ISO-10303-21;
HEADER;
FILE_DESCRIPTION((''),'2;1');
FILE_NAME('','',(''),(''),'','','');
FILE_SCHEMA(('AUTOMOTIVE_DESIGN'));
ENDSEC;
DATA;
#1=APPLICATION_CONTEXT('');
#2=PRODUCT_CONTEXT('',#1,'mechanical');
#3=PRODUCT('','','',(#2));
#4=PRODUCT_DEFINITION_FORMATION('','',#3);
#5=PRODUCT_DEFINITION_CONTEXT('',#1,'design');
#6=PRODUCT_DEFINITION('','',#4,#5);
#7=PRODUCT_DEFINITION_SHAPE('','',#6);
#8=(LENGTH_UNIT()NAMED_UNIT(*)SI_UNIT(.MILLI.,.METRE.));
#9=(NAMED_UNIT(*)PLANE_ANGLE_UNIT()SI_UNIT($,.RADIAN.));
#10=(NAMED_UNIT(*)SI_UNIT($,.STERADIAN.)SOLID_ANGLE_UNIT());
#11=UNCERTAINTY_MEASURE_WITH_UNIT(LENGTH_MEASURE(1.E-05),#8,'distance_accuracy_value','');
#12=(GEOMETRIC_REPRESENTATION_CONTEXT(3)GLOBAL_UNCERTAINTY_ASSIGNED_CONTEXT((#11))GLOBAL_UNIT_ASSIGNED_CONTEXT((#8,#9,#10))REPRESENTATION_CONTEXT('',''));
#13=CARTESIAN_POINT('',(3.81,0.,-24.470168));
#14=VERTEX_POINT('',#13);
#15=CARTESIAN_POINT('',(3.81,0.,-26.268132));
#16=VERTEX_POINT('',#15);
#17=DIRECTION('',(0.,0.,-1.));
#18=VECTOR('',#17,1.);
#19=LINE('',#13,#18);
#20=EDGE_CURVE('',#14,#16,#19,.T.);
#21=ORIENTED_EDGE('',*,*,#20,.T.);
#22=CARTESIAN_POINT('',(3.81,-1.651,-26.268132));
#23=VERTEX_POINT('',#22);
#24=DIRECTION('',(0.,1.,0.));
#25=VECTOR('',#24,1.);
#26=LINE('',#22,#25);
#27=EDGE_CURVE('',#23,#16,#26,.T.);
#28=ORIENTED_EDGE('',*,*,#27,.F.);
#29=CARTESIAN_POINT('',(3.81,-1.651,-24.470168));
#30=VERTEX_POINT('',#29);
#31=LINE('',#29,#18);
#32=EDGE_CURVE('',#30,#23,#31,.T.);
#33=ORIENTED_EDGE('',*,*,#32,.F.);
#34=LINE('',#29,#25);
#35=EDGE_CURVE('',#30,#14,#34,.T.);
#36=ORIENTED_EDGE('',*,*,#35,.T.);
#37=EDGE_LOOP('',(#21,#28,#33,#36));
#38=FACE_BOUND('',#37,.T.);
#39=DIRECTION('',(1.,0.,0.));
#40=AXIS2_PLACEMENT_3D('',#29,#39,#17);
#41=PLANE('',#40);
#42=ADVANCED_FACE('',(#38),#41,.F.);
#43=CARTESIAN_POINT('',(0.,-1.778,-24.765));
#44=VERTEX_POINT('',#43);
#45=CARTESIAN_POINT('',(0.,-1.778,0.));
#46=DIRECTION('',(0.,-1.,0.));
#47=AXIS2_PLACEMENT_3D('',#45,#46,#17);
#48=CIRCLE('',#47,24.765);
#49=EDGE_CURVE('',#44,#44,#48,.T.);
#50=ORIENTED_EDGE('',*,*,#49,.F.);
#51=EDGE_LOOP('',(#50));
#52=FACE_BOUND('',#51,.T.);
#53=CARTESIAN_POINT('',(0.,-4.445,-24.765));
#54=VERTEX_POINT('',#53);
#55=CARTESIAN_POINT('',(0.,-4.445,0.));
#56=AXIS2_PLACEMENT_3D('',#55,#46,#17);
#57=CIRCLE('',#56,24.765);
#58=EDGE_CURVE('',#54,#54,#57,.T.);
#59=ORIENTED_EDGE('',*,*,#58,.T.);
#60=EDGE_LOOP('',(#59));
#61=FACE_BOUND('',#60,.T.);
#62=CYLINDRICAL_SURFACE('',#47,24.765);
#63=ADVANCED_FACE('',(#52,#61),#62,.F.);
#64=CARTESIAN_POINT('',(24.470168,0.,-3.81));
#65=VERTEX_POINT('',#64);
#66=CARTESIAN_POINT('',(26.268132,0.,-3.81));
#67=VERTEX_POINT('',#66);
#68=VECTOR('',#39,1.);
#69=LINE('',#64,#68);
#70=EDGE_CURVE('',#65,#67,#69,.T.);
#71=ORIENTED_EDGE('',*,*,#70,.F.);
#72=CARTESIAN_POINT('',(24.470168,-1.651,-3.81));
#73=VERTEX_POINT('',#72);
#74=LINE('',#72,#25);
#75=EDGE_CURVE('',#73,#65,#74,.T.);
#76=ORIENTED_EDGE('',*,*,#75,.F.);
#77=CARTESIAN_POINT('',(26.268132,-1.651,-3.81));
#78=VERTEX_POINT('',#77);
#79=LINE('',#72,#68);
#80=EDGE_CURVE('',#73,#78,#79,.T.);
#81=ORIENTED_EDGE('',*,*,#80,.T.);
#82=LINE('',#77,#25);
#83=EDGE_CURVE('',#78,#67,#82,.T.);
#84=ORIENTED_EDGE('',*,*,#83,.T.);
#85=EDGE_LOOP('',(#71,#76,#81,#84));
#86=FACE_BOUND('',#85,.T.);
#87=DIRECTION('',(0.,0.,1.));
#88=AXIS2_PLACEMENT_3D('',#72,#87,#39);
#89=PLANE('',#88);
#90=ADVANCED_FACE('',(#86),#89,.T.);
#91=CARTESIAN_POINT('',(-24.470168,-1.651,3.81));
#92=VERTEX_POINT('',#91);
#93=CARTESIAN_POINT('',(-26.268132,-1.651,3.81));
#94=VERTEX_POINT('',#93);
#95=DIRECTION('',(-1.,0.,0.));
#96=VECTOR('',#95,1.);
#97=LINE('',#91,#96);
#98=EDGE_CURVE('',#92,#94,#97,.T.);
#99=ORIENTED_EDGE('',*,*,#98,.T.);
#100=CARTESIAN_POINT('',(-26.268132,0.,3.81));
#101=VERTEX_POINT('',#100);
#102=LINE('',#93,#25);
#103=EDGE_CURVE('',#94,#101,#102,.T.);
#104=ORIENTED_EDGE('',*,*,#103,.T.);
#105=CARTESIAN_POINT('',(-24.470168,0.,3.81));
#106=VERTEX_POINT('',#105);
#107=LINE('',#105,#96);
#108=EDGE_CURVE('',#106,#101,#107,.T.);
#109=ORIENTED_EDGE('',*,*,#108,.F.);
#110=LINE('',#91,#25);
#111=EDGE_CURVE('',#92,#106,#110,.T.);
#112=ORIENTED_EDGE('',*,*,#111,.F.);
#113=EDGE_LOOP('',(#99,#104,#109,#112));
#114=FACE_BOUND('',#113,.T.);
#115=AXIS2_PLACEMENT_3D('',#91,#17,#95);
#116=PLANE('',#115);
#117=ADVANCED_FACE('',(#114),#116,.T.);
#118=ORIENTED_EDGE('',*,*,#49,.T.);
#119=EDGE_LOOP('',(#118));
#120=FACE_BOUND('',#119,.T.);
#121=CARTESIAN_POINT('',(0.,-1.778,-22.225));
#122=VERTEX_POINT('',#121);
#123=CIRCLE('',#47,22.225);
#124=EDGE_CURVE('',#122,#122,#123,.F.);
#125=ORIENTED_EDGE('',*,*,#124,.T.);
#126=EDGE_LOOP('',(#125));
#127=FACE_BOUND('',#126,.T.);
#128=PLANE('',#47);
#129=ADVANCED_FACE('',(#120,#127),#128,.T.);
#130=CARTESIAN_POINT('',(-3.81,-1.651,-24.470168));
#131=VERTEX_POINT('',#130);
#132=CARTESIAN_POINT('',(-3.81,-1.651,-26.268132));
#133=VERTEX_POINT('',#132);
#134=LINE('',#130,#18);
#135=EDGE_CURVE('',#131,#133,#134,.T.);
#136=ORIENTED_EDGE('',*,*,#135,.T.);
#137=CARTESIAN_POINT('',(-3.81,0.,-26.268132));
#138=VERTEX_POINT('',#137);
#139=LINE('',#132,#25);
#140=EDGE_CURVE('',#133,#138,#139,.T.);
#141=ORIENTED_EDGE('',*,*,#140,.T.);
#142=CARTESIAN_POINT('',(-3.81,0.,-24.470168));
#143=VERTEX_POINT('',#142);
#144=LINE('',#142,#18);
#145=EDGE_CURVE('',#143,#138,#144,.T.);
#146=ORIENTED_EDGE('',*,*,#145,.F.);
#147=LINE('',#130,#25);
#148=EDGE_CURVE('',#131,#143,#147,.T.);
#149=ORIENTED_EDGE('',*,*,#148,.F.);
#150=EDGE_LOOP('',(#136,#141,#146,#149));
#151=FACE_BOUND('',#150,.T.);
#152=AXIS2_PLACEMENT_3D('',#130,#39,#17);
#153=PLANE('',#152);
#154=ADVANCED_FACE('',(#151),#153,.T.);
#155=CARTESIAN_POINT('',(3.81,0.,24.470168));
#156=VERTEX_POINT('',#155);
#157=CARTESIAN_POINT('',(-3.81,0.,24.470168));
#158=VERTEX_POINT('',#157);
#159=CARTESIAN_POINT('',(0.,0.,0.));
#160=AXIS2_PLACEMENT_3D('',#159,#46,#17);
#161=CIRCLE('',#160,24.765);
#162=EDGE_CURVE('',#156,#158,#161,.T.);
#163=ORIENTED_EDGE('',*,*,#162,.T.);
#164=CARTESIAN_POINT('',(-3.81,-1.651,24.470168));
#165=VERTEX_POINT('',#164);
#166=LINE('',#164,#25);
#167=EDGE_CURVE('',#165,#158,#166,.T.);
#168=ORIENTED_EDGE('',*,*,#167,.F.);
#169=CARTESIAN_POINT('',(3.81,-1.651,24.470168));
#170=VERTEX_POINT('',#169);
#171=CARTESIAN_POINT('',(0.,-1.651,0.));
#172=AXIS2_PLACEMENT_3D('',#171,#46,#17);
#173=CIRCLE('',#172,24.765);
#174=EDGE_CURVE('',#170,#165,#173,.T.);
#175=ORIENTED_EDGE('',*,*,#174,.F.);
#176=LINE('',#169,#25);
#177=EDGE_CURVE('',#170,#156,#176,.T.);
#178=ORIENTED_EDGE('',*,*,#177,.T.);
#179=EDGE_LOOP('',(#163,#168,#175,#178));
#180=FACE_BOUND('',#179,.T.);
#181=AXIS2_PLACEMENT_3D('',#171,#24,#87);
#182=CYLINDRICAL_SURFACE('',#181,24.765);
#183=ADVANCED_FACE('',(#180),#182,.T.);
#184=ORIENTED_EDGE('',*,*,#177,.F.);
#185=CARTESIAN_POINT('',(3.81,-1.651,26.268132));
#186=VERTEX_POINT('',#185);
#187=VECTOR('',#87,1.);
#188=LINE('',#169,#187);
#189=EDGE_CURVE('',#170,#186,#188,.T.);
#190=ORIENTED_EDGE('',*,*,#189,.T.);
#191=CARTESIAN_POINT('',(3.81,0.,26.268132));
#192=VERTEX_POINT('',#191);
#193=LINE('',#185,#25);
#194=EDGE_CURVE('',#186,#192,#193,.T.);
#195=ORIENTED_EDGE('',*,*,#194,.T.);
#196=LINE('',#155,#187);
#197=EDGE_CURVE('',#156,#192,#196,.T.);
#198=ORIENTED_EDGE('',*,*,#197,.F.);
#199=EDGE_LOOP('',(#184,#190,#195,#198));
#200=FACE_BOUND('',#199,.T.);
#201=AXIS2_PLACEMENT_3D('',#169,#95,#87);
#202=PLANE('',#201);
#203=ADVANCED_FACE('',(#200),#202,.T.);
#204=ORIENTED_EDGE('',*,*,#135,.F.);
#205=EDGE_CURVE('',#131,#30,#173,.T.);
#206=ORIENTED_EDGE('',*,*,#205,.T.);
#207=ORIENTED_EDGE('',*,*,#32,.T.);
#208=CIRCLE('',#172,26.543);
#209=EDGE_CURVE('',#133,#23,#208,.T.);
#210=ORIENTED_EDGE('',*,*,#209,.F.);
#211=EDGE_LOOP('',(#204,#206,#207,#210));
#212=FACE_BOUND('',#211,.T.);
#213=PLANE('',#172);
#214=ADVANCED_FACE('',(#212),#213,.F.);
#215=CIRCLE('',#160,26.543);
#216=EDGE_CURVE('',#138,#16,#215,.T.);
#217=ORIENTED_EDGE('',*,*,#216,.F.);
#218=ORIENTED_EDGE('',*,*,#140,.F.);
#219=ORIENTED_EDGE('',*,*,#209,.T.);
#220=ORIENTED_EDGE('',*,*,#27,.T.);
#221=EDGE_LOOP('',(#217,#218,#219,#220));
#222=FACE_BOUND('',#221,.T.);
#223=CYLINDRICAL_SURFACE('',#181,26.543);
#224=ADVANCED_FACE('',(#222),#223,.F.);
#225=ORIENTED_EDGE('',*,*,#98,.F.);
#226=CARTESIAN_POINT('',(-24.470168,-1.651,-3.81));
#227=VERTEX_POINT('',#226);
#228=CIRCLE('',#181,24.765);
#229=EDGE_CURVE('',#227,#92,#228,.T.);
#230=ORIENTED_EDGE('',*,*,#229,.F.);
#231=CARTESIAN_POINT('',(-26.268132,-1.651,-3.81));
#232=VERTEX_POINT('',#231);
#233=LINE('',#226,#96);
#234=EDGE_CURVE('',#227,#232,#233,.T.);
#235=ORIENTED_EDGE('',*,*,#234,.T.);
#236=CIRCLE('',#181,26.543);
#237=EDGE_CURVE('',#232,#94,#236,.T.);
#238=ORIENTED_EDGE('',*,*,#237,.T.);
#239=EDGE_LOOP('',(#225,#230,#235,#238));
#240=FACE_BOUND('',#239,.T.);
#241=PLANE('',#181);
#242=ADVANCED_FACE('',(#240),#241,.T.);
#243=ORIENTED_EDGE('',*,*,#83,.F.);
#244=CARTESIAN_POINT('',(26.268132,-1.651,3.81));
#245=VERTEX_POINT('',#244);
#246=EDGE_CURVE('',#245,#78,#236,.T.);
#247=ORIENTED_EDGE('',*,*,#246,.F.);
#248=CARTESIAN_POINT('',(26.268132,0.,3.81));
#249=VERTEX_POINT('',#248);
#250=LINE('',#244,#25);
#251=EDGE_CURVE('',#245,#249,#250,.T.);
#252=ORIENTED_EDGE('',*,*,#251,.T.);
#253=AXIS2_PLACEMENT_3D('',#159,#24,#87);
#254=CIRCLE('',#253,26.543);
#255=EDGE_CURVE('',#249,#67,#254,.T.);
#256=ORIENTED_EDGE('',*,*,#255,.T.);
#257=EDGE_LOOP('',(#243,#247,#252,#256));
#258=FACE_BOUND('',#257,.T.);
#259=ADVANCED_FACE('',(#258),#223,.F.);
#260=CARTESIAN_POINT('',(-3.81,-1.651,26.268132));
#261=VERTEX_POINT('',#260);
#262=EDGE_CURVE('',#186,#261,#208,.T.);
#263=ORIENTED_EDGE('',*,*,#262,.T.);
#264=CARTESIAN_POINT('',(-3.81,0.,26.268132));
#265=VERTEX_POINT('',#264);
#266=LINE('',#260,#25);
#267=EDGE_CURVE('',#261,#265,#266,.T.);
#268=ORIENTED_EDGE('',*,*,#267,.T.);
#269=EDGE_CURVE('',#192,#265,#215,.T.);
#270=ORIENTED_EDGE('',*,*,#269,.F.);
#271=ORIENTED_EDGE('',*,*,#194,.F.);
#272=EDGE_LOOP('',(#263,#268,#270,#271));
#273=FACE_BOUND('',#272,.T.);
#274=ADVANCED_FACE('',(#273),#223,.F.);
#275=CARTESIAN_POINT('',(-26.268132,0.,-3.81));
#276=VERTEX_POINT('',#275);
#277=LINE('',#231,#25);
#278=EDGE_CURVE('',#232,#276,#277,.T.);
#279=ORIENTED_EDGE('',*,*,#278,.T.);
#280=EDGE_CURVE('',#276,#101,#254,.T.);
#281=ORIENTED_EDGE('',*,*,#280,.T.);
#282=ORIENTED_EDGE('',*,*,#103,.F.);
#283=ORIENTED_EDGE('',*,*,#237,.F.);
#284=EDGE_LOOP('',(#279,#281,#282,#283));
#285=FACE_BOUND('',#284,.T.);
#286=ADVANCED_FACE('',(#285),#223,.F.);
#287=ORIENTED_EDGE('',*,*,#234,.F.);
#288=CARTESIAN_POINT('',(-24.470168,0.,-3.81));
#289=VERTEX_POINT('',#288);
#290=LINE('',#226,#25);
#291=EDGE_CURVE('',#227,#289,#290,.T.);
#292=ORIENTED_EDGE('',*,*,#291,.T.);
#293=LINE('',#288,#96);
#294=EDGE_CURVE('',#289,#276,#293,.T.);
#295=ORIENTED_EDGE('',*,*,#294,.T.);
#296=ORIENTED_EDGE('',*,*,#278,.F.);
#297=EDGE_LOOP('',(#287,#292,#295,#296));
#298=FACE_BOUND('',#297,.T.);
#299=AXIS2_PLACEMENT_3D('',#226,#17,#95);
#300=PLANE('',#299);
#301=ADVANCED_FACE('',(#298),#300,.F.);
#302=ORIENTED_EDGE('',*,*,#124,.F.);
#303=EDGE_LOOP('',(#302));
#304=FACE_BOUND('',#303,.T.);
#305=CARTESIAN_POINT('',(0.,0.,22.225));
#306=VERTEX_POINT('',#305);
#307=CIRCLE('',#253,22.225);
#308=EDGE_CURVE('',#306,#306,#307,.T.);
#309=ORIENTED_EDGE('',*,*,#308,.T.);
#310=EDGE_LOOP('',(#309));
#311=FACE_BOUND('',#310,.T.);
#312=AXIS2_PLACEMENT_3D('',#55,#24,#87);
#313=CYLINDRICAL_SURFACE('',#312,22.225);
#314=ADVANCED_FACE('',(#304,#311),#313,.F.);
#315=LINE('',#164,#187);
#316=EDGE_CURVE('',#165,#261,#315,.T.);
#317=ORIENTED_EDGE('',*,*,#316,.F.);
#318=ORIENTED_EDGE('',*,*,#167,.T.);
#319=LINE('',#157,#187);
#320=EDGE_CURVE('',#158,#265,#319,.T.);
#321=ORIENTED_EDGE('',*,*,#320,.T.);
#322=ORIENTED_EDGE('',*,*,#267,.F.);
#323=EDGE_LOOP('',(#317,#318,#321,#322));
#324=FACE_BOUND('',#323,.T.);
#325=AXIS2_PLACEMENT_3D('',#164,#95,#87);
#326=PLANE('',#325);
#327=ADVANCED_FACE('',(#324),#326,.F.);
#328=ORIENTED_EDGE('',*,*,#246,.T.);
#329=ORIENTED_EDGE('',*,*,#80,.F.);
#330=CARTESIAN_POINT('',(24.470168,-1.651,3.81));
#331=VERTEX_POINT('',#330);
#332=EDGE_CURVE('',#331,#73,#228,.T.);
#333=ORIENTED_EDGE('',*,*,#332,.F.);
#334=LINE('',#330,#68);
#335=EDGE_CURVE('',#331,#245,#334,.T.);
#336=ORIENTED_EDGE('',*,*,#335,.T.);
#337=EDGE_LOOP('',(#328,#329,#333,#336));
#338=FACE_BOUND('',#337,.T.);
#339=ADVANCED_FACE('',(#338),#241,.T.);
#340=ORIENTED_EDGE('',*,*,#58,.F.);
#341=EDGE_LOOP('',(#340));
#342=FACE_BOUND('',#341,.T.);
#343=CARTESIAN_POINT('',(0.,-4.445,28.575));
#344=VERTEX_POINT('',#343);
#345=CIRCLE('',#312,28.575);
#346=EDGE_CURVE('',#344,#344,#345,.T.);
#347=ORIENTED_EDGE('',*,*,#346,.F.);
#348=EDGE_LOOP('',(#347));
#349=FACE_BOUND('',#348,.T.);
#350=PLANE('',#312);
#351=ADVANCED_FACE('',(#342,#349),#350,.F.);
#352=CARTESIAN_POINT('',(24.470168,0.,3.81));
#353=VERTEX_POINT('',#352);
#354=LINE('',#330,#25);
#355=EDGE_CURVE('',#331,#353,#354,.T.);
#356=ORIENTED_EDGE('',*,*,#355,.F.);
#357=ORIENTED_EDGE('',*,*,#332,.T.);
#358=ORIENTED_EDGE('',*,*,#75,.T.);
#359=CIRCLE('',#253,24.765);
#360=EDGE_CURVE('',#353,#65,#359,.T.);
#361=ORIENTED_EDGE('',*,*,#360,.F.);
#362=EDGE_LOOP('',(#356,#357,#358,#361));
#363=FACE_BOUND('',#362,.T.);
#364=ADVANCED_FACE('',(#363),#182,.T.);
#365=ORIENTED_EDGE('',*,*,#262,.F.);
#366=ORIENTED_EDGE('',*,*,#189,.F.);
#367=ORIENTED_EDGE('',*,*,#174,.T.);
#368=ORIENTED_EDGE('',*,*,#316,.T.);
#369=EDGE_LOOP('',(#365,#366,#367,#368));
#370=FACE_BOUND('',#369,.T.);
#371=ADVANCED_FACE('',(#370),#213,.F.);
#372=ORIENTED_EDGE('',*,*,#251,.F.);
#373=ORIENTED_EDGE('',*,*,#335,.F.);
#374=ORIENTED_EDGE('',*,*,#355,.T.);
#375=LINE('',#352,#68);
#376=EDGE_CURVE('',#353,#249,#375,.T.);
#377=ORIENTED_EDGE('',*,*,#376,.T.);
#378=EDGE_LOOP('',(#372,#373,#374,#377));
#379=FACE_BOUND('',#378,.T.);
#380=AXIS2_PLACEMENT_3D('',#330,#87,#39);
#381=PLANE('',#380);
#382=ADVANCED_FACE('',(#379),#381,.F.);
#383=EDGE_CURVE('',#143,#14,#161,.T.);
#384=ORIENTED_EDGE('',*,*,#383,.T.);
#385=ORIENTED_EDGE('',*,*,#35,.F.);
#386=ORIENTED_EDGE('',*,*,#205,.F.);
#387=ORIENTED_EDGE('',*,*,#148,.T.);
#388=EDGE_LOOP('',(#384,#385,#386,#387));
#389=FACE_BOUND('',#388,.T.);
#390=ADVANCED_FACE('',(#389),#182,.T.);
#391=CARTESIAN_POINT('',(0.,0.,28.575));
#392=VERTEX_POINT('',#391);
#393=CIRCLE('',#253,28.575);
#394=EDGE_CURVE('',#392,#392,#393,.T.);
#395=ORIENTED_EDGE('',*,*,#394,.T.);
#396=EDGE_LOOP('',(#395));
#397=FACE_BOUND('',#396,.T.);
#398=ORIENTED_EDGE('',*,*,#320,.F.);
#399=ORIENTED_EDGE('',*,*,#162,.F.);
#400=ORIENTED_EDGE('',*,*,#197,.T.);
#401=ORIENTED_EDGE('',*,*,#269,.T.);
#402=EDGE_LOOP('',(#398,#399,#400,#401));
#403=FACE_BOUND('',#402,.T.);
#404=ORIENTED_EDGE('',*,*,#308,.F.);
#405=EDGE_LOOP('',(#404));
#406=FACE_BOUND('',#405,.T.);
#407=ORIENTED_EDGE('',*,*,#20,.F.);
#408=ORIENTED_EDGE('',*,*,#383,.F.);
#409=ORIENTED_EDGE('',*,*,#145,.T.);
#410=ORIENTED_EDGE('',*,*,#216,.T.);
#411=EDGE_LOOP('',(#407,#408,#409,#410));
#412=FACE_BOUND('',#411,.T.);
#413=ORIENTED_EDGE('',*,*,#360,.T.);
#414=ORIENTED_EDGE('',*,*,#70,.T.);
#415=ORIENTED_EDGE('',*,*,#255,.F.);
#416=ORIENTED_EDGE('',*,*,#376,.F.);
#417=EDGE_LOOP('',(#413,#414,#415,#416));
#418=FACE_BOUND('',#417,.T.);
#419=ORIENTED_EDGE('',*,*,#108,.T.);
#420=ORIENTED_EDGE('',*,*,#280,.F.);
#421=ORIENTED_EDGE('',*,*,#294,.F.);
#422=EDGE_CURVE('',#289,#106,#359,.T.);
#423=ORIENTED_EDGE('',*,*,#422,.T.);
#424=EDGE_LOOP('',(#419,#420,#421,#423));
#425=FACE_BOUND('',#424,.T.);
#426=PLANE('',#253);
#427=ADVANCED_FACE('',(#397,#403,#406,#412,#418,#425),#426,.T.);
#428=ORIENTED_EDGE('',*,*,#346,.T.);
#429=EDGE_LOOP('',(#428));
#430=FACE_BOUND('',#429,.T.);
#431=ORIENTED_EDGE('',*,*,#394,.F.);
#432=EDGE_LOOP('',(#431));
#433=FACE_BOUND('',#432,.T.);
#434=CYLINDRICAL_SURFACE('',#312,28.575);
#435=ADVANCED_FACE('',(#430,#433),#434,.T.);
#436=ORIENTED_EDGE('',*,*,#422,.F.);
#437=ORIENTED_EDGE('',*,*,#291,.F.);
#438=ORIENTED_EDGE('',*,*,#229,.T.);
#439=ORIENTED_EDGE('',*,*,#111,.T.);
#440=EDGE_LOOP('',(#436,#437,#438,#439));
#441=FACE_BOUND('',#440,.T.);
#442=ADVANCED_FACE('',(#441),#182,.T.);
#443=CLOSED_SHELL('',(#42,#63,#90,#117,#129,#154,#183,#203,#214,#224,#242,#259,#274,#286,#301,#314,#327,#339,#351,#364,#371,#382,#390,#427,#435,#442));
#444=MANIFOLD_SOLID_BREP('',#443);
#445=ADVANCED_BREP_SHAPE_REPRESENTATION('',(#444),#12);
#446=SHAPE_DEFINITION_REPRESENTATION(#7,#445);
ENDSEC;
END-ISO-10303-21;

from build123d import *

# Parameters (mm, degrees)
SKETCH1_R            = 28.575
SHAFT_DEPTH          = 4.445
SKETCH11_R           = 22.225
THRU_HOLE_DEPTH      = 41.654880088
TOOLING_POINTS_DEPTH = 1.651
RETAINER_START       = -2.667
SKETCH12_R           = 24.765
RETAINER_HOLE_DEPTH  = 2.667


with BuildPart() as part:
    # Sketch1 → Shaft (new body)
    with BuildSketch(Plane(origin=(0, 0, 0), x_dir=(1, 0, 0), z_dir=(0, 1, 0))):
        Circle(SKETCH1_R)
    extrude(amount=-SHAFT_DEPTH)

    # Sketch11 → Thru Hole (cut, through all)
    with BuildSketch(Plane(origin=(0, 0, 0), x_dir=(-1, 0, 0), z_dir=(0, 1, 0))):
        Circle(SKETCH11_R)
    extrude(amount=-THRU_HOLE_DEPTH, mode=Mode.SUBTRACT)

    # Sketch13 → Tooling Points (cut)
    with BuildSketch(Plane(origin=(0, 0, 0), x_dir=(-1, 0, 0), z_dir=(0, 1, 0))):
        with BuildLine():
            Line((-24.470168062, -3.81), (-26.268131814, -3.81))
            ThreePointArc((-26.268131814, -3.81), (-26.543, 0), (-26.268131814, 3.81))
            Line((-26.268131814, 3.81), (-24.470168062, 3.81))
            ThreePointArc((-24.470168062, 3.81), (-24.765, 0), (-24.470168062, -3.81))
        make_face()
        with BuildLine():
            Line((3.81, -24.470168062), (3.81, -26.268131814))
            ThreePointArc((3.81, -26.268131814), (0, -26.543), (-3.81, -26.268131814))
            Line((-3.81, -26.268131814), (-3.81, -24.470168062))
            ThreePointArc((-3.81, -24.470168062), (0, -24.765), (3.81, -24.470168062))
        make_face()
        with BuildLine():
            Line((24.470168062, 3.81), (26.268131814, 3.81))
            ThreePointArc((26.268131814, 3.81), (26.543, 0), (26.268131814, -3.81))
            Line((26.268131814, -3.81), (24.470168062, -3.81))
            ThreePointArc((24.470168062, -3.81), (24.765, 0), (24.470168062, 3.81))
        make_face()
        with BuildLine():
            Line((-3.81, 24.470168062), (-3.81, 26.268131814))
            ThreePointArc((-3.81, 26.268131814), (0, 26.543), (3.81, 26.268131814))
            Line((3.81, 26.268131814), (3.81, 24.470168062))
            ThreePointArc((3.81, 24.470168062), (0, 24.765), (-3.81, 24.470168062))
        make_face()
    extrude(amount=-TOOLING_POINTS_DEPTH, mode=Mode.SUBTRACT)

    # Sketch12 → Retainer Hole (cut)
    with BuildSketch(Plane.XZ.offset(4.445).offset(RETAINER_START)):
        Circle(SKETCH12_R)
    extrude(amount=RETAINER_HOLE_DEPTH, mode=Mode.SUBTRACT)


solid = part.part
